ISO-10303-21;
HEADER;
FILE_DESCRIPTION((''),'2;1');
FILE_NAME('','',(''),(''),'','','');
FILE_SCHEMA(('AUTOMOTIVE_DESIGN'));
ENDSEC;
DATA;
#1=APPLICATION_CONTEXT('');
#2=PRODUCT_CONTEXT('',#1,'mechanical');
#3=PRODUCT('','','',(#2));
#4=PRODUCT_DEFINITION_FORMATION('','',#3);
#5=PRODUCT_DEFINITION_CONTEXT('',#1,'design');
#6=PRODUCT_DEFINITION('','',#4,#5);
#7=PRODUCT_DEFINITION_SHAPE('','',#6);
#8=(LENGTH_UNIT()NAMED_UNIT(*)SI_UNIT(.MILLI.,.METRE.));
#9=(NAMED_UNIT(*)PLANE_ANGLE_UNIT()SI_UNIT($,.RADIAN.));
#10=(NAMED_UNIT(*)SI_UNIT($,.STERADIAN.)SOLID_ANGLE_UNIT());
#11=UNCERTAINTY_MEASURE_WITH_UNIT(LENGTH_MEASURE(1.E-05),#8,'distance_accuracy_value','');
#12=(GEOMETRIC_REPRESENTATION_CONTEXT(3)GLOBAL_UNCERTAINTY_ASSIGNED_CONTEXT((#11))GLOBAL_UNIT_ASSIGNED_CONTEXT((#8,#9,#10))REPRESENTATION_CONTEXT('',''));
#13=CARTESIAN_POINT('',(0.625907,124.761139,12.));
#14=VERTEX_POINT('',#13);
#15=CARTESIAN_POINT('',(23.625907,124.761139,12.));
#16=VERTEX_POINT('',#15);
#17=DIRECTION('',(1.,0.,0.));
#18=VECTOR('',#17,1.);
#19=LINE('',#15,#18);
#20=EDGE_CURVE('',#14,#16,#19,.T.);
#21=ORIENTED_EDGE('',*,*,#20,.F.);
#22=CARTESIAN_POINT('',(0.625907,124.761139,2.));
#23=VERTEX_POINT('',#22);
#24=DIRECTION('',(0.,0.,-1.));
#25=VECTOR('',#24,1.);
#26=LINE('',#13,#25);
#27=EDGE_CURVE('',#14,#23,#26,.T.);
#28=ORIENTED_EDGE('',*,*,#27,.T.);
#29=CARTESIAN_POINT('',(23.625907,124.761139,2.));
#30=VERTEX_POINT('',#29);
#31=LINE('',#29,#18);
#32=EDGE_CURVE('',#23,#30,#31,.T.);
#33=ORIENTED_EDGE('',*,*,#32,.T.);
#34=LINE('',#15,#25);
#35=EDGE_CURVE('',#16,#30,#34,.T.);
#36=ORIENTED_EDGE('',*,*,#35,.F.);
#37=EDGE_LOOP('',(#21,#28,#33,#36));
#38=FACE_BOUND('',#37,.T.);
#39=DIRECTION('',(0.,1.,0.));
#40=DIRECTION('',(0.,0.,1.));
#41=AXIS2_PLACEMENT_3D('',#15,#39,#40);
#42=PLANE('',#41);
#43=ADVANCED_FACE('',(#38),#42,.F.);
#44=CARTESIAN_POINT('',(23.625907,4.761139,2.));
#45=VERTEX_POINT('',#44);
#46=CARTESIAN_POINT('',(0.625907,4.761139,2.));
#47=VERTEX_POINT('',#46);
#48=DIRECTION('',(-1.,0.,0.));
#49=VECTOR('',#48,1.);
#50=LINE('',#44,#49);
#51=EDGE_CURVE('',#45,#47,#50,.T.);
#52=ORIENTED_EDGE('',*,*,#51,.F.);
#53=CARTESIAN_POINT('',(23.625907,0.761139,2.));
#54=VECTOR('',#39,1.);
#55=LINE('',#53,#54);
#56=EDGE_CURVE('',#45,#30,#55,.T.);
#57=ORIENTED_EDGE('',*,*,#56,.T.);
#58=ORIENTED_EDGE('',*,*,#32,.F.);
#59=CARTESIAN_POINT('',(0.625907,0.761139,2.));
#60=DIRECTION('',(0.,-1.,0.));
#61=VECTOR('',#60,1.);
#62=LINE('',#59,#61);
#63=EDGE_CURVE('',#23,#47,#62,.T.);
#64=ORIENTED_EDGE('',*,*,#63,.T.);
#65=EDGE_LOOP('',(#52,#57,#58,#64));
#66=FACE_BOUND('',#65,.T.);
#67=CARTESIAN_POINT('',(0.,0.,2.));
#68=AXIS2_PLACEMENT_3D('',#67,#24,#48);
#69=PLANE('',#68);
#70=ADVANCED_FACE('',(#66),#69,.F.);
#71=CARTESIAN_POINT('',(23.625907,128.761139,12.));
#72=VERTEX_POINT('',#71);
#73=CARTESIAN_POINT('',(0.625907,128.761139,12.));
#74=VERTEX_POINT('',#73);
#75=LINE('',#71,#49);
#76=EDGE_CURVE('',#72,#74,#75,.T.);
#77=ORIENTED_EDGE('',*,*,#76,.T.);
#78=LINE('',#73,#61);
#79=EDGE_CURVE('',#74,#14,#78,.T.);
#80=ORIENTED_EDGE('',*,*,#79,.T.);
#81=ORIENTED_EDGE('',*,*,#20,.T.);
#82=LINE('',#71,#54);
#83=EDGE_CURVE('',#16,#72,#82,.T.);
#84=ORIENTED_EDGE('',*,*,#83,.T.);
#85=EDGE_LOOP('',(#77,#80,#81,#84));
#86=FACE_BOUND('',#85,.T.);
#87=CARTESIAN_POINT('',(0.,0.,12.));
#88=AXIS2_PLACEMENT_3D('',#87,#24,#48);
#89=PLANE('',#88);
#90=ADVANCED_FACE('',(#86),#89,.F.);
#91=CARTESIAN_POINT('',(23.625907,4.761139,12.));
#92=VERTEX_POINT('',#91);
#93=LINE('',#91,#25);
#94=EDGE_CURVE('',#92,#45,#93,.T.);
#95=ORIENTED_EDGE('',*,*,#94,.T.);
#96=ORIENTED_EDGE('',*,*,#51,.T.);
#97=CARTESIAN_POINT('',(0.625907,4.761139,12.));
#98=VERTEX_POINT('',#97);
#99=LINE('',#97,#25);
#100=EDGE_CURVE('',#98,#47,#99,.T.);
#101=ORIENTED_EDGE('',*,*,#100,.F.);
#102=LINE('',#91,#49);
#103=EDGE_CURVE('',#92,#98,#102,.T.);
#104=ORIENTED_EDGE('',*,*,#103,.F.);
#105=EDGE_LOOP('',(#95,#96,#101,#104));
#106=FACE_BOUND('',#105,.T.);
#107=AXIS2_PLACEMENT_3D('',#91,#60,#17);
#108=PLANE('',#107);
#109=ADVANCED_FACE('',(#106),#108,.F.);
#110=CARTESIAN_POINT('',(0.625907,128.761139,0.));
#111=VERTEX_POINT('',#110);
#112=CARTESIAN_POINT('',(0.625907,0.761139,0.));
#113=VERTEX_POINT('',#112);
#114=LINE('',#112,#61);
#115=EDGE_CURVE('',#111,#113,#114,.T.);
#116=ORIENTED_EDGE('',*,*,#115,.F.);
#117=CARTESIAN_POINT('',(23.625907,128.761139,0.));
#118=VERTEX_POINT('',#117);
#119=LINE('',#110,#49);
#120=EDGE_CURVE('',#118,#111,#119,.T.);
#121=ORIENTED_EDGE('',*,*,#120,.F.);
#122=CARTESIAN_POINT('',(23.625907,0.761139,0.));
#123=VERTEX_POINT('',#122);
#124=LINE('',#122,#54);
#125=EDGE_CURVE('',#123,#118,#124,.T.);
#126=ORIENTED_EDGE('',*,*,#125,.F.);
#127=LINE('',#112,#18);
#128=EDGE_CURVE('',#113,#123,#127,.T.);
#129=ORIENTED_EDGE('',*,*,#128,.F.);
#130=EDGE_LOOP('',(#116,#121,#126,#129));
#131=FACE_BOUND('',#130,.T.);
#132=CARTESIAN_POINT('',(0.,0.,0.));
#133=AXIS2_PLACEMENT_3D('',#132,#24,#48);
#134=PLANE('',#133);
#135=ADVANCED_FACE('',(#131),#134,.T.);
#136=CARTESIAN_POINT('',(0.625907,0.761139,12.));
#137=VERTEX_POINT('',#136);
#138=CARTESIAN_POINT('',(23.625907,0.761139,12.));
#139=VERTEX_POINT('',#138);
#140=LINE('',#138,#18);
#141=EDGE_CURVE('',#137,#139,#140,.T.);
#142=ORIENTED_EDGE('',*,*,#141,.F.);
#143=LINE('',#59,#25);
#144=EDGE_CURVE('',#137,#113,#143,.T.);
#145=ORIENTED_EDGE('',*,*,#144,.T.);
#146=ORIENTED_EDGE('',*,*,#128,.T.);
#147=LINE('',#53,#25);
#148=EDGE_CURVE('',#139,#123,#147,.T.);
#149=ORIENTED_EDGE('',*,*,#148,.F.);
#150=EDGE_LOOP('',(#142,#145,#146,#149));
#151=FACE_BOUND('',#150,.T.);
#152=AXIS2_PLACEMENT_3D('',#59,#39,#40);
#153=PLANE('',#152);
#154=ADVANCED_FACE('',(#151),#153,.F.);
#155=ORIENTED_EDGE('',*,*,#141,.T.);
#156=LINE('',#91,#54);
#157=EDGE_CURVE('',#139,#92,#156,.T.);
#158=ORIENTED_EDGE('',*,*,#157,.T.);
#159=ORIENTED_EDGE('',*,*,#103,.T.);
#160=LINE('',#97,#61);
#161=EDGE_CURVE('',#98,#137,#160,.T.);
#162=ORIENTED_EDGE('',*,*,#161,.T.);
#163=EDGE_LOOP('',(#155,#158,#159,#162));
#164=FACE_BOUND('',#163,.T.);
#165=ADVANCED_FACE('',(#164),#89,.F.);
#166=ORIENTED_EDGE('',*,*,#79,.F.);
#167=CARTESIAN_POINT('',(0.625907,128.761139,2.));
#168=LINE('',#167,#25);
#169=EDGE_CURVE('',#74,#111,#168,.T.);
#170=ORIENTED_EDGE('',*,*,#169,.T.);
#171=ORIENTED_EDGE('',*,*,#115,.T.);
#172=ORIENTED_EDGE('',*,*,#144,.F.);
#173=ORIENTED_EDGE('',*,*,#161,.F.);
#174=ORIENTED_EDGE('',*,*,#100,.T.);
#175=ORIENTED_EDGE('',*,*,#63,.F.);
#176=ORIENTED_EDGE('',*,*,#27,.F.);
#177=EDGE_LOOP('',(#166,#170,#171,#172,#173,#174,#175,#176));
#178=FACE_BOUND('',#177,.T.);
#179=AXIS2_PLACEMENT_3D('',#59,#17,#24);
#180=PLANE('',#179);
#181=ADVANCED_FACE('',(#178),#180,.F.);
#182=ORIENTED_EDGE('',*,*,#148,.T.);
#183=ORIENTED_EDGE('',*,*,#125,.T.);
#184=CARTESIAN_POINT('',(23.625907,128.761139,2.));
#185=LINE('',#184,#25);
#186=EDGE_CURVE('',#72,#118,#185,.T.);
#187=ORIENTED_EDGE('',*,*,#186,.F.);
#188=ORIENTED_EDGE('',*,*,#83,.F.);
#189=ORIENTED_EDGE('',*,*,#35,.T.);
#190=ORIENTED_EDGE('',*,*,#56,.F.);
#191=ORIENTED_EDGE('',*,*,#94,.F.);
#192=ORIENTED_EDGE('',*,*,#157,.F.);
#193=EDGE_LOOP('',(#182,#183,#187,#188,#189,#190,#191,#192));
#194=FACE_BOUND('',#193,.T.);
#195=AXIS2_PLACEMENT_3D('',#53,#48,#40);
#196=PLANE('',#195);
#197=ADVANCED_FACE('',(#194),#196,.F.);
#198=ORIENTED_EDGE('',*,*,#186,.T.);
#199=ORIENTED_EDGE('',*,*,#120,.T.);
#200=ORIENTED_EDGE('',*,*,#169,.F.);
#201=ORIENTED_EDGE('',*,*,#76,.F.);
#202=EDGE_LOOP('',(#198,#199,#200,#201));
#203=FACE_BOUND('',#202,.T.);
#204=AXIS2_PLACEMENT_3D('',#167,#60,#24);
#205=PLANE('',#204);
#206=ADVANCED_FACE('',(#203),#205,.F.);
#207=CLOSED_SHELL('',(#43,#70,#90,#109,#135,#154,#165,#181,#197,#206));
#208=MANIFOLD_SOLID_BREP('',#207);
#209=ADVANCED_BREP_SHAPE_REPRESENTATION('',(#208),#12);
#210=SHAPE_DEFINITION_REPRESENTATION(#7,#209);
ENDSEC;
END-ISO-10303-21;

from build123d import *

# Parameters (mm, degrees)
SKETCH1_W           = 23
SKETCH1_H           = 128
BOSS_EXTRUDE1_DEPTH = 2
SKETCH2_W           = 23
SKETCH2_H           = 4
BOSS_EXTRUDE2_DEPTH = 10


with BuildPart() as part:
    # Sketch1 → Boss-Extrude1 (new body)
    with BuildSketch(Plane(origin=(0, 7.022278801, 0), x_dir=(1, 0, 0), z_dir=(0, 0, 1))):
        with Locations((12.125906736, 57.738860104)):
            Rectangle(SKETCH1_W, SKETCH1_H)
    extrude(amount=BOSS_EXTRUDE1_DEPTH)

    # Sketch2 → Boss-Extrude2 (add)
    with BuildSketch(Plane(origin=(0, 7.022278801, 2), x_dir=(1, 0, 0), z_dir=(0, 0, 1))):
        with Locations((12.125906736, 119.738860104)):
            Rectangle(SKETCH2_W, SKETCH2_H)
        with Locations((12.125906736, -4.261139896)):
            Rectangle(SKETCH2_W, SKETCH2_H)
    extrude(amount=BOSS_EXTRUDE2_DEPTH)


solid = part.part
